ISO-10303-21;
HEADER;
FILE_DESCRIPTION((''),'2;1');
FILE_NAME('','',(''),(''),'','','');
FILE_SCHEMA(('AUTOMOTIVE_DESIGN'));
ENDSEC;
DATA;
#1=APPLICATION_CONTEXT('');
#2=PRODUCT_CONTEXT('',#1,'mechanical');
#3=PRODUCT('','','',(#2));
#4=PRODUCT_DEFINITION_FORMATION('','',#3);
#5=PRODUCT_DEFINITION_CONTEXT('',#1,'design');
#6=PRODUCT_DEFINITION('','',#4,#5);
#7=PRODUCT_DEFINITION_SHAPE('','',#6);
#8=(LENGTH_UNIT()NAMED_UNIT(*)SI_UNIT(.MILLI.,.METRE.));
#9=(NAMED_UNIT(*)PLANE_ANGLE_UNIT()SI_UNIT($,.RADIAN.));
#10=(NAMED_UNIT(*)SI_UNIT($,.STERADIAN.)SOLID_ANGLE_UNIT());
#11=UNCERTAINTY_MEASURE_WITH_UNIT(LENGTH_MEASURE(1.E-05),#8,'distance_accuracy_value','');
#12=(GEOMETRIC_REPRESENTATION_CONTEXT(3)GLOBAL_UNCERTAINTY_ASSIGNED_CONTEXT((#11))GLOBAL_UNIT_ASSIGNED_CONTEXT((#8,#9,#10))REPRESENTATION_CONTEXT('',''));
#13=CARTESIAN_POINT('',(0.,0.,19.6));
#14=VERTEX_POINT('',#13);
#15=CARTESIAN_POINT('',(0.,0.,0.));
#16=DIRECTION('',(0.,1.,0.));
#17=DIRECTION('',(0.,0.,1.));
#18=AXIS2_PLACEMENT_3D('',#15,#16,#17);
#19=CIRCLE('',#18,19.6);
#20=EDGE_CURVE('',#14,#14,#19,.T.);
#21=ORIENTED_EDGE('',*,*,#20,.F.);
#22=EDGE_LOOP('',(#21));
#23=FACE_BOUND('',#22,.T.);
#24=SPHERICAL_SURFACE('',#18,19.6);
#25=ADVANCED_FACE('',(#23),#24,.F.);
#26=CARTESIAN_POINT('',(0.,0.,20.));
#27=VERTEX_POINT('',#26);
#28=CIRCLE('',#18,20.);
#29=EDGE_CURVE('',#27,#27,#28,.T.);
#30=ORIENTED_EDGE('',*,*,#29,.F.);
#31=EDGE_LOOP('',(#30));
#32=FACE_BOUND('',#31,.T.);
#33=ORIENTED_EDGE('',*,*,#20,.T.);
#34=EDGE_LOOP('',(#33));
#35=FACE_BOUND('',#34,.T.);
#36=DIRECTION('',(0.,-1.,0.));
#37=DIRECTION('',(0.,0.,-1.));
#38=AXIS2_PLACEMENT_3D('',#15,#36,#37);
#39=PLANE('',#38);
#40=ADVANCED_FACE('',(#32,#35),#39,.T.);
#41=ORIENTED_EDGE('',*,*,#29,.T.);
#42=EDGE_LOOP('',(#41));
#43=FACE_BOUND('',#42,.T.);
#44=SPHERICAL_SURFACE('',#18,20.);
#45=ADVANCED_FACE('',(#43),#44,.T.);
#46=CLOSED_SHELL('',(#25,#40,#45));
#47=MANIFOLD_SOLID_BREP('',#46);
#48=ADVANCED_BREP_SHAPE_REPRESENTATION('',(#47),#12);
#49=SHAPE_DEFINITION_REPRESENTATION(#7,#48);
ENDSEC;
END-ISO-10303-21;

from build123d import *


with BuildPart() as part:
    # Sketch2 → Revolve2 (revolve)
    with BuildSketch(Plane(origin=(0, 0, 0), x_dir=(0, 0, -1), z_dir=(1, 0, 0))):
        with BuildLine():
            Line((0, 20), (0, 0))
            Line((0, 0), (-20, 0))
            ThreePointArc((-20, 0), (-14.142135624, 14.142135624), (0, 20))
        make_face()
    revolve(axis=Axis((0, 1.617, 0), (0, -1, 0)))

    # Sketch3 → Cut-Revolve1 (revolve, cut)
    with BuildSketch(Plane(origin=(0, 0, 0), x_dir=(0, 0, -1), z_dir=(1, 0, 0))):
        with BuildLine():
            Line((0, 19.6), (0, 0))
            Line((0, 0), (-19.6, 0))
            ThreePointArc((-19.6, 0), (-13.859292911, 13.859292911), (0, 19.6))
        make_face()
    revolve(axis=Axis((0, 19.6, 0), (0, -1, 0)), mode=Mode.SUBTRACT)


solid = part.part
